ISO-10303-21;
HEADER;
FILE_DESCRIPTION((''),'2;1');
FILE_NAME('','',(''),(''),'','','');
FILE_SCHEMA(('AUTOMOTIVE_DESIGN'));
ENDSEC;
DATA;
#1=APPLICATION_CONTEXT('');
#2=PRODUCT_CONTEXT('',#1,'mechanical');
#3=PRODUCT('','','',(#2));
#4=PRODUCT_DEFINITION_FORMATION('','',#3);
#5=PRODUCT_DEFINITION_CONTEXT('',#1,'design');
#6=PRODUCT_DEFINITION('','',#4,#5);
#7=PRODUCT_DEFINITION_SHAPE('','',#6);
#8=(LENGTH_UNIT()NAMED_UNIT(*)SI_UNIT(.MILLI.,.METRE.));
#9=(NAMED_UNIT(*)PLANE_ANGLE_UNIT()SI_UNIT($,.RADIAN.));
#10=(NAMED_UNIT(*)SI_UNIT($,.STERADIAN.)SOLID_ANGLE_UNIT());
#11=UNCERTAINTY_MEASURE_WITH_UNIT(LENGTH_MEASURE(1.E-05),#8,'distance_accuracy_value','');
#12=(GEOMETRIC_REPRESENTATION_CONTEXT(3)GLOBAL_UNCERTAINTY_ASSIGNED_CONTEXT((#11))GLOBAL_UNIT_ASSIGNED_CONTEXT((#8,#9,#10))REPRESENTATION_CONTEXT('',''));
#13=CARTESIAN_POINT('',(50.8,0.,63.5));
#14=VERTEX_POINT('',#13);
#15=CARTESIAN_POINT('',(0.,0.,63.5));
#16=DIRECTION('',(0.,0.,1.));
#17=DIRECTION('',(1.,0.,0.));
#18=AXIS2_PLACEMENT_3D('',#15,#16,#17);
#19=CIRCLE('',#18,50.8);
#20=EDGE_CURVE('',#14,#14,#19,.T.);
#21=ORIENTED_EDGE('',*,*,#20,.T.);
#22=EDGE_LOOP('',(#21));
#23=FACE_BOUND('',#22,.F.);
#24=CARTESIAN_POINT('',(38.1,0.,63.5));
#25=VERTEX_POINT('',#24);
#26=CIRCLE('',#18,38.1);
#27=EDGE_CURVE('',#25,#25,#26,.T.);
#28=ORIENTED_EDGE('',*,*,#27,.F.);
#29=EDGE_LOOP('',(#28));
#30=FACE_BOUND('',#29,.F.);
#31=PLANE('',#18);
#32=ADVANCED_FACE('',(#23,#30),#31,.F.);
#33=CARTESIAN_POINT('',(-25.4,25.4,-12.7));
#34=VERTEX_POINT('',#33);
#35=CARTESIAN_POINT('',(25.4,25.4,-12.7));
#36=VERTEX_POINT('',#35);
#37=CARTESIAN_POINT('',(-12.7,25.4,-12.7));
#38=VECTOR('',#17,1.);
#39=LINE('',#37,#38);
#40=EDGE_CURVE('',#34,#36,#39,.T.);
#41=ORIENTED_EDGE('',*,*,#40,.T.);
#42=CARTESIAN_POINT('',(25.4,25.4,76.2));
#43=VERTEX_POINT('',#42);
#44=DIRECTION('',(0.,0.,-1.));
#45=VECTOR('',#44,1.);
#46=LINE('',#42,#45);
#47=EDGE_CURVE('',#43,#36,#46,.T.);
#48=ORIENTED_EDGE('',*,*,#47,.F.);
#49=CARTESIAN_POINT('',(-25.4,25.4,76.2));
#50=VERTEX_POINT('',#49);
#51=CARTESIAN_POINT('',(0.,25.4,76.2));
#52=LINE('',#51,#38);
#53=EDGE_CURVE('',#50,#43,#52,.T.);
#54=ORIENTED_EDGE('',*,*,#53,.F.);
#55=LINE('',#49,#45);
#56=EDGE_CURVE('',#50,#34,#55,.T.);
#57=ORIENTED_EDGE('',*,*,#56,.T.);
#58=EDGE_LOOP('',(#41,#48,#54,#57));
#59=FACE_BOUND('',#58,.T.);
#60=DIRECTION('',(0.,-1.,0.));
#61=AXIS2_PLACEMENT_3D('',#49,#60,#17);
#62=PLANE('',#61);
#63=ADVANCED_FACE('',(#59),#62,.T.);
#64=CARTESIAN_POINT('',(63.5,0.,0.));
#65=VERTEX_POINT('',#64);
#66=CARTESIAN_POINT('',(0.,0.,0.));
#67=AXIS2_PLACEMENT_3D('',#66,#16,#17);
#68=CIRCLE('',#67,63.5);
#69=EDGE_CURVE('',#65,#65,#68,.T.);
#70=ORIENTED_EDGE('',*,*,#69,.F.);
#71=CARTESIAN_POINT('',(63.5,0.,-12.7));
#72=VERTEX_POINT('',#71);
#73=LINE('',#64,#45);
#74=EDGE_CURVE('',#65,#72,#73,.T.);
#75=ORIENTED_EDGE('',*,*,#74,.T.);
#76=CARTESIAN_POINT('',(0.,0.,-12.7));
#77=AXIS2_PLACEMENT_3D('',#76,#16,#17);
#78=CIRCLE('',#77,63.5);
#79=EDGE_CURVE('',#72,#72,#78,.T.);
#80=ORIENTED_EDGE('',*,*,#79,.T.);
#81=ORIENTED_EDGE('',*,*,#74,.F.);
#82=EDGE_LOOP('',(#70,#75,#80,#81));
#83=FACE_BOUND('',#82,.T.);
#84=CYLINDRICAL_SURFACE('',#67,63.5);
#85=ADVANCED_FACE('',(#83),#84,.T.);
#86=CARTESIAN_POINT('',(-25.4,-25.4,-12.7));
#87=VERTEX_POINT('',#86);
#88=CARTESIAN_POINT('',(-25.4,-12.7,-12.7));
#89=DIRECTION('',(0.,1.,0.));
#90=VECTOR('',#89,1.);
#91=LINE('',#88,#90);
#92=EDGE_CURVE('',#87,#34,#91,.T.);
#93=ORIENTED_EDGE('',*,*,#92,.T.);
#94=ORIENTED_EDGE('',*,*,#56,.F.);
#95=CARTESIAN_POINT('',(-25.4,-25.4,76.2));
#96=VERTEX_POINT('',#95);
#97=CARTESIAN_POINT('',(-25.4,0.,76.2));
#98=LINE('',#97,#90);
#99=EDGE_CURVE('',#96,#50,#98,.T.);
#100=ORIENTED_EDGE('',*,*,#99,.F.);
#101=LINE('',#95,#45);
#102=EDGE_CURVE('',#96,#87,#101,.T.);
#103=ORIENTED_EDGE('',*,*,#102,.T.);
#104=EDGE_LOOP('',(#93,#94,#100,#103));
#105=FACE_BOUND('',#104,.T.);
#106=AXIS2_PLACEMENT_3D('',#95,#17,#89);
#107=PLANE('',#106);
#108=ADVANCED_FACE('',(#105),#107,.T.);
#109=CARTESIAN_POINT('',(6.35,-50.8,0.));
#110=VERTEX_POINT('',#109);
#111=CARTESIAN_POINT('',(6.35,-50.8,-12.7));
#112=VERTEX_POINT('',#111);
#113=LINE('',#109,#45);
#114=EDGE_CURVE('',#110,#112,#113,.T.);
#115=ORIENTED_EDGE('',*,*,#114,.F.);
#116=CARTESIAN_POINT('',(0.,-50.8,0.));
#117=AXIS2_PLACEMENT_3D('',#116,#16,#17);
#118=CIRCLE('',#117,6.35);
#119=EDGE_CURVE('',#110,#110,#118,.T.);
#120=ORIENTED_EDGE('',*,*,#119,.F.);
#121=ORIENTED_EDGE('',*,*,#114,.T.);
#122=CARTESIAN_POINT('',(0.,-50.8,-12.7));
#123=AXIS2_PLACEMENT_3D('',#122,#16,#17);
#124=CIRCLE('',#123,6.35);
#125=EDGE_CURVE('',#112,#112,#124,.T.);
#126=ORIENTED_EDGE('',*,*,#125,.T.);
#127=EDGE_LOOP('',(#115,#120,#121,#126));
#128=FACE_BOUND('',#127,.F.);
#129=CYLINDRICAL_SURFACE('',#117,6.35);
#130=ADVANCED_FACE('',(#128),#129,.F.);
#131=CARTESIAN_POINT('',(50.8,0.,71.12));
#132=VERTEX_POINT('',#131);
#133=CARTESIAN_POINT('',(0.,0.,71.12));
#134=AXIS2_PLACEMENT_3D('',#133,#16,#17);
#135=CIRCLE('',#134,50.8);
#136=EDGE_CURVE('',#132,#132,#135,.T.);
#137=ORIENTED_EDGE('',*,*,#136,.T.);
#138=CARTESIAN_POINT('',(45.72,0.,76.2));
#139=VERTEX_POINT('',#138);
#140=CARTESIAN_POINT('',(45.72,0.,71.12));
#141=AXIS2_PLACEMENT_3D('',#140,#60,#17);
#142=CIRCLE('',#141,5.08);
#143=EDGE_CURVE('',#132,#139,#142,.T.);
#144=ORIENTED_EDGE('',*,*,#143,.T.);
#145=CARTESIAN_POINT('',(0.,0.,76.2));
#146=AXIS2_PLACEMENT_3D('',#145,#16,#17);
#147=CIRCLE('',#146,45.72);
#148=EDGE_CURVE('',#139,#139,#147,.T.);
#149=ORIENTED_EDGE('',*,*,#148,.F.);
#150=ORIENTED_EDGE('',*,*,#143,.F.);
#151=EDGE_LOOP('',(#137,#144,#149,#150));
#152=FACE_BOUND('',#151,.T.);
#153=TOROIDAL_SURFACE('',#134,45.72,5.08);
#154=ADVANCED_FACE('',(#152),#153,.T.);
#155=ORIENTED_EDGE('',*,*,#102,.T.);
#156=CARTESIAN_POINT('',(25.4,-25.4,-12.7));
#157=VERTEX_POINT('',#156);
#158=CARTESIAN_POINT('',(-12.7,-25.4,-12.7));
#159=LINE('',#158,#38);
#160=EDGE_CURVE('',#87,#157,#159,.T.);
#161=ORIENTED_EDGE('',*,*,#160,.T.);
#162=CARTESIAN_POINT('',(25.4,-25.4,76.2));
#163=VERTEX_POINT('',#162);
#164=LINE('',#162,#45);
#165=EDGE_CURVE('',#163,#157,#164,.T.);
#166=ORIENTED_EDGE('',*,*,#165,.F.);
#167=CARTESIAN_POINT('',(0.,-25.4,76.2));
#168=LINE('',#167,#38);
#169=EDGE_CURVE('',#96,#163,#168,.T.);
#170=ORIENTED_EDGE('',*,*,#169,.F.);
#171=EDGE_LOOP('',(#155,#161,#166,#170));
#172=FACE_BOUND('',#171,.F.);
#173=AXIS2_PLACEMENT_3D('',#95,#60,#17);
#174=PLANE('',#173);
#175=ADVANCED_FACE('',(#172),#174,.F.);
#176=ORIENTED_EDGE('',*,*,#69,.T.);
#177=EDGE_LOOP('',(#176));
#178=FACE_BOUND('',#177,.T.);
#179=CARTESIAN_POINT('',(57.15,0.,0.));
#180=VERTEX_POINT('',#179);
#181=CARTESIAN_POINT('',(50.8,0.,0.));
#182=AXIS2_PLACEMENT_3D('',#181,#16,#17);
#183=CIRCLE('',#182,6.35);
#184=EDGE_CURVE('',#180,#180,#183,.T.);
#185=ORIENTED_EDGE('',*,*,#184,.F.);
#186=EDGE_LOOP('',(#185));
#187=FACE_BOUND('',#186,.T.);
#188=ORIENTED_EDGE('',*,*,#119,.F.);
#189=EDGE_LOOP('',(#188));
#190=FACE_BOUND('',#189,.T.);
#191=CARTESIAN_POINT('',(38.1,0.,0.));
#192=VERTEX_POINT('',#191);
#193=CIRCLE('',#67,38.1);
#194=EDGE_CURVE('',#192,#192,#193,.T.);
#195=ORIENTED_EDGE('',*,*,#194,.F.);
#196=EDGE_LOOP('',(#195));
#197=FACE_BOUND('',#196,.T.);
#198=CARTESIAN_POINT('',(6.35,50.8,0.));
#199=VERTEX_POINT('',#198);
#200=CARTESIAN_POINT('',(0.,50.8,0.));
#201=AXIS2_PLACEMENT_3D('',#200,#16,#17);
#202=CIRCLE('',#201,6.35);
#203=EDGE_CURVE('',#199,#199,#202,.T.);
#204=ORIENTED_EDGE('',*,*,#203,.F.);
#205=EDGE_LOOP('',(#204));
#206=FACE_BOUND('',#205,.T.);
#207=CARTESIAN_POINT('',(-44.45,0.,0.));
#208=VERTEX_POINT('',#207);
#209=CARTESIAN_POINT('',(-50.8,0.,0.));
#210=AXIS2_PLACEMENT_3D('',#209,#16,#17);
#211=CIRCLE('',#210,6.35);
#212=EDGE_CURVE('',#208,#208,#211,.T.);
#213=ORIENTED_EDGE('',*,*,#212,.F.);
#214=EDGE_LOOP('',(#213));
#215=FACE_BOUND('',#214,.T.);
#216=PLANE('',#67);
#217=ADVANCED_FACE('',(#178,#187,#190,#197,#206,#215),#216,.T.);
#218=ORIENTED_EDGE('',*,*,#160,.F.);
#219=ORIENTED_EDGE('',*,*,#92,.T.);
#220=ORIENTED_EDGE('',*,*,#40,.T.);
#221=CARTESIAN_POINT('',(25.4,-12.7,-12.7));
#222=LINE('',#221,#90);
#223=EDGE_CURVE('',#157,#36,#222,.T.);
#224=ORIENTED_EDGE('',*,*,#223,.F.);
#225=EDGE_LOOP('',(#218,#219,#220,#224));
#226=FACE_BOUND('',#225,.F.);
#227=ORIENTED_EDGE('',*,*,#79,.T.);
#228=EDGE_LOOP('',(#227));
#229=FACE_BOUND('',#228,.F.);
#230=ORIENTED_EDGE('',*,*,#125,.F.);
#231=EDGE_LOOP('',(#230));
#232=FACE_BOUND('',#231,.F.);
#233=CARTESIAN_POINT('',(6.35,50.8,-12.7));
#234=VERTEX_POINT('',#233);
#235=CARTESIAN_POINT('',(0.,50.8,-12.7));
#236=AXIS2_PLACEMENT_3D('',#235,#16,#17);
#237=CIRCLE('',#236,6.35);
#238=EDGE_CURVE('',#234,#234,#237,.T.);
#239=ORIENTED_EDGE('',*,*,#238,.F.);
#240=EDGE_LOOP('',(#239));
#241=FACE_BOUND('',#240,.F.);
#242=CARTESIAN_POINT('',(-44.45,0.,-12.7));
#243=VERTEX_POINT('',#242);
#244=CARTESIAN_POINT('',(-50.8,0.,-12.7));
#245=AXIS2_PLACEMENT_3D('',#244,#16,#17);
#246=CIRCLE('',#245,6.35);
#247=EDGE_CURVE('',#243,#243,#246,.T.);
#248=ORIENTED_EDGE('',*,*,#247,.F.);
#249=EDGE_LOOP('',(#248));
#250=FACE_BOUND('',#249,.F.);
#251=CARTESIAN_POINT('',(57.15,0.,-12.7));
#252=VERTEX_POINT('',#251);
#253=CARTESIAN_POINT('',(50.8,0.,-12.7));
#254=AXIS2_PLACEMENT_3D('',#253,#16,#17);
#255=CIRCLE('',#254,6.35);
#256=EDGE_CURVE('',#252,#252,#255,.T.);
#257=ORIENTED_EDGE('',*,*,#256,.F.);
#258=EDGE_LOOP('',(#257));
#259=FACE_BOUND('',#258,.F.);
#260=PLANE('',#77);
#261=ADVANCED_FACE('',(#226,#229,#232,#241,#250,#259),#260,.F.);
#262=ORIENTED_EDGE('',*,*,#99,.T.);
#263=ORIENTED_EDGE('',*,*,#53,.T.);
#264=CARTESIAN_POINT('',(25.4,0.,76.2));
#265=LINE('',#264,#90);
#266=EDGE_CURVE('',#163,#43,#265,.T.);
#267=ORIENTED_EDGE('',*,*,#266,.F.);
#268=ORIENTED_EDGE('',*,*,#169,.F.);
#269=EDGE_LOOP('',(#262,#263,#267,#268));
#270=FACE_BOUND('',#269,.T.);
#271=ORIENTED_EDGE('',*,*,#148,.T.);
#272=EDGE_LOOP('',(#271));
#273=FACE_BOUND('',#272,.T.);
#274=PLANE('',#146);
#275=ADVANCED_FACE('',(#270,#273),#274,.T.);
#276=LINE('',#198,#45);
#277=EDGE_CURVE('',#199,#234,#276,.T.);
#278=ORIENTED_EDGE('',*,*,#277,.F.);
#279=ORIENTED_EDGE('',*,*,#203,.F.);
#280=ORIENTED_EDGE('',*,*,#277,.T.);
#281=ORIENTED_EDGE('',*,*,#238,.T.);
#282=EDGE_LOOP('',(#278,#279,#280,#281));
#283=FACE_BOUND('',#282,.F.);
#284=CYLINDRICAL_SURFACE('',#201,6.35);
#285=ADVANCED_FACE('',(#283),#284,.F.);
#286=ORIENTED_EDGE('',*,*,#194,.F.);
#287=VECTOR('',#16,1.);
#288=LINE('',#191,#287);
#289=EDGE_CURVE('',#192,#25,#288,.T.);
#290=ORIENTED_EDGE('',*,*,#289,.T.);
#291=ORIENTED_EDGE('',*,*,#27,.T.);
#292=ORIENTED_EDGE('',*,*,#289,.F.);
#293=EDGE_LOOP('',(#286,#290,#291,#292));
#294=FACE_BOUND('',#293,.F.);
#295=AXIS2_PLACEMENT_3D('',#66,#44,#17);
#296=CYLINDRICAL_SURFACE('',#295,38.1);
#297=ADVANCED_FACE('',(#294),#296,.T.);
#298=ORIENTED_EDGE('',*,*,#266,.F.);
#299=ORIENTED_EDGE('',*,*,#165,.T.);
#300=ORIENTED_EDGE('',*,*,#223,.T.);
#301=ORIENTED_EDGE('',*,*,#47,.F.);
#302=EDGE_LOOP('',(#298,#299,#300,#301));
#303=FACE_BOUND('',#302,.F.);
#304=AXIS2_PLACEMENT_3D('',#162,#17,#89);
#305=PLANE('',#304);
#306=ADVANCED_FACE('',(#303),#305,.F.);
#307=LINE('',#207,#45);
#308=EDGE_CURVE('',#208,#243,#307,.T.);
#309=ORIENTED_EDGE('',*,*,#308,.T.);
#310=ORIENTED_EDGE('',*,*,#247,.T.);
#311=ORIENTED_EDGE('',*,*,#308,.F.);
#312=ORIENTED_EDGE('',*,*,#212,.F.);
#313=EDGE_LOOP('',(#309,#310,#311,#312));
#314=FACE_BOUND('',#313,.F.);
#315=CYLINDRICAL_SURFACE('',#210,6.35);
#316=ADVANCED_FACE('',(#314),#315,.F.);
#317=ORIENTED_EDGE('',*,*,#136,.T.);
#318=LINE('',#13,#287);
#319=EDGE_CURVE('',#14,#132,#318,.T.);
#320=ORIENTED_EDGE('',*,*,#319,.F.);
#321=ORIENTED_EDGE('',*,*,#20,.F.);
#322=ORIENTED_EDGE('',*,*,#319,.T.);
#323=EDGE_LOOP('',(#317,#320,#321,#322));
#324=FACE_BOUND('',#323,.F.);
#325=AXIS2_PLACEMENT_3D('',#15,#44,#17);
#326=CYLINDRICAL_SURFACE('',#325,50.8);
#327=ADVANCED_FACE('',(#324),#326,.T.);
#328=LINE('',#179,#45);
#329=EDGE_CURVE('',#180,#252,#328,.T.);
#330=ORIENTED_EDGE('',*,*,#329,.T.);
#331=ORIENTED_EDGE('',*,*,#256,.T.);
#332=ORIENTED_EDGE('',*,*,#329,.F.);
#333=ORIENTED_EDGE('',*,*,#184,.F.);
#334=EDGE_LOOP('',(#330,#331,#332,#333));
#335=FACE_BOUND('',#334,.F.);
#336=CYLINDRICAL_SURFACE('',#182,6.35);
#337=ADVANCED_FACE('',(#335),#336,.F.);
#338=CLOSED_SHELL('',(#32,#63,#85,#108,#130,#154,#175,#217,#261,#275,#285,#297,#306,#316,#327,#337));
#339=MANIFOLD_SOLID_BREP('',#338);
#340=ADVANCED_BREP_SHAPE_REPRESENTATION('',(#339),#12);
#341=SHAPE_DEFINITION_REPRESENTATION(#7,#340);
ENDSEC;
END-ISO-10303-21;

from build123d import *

# Parameters (mm, degrees)
F0_R      = 38.1
F1_DEPTH  = 63.5
F2_R      = 63.5
F3_DEPTH  = 12.7
F4_R      = 6.35
F5_DEPTH  = 25.4
F6_R      = 50.8
F7_DEPTH  = 12.7
F8_R      = 5.08
F9_W      = 50.8
F9_H      = 50.8
F10_DEPTH = 132.842


with BuildPart() as f1:
    # F0 (on Top) → F1 (new body)
    with BuildSketch(Plane.XY):
        Circle(F0_R)
    extrude(amount=F1_DEPTH)

    # F2 (on Top) → F3 (join)
    with BuildSketch(Plane.XY):
        Circle(F2_R)
    extrude(amount=-F3_DEPTH)

    # F4 (on face) → F5 (cut)
    with BuildSketch(Plane.XY):
        with Locations((-50.8, 0)):
            Circle(F4_R)
        with Locations((0, 50.8)):
            Circle(F4_R)
        with Locations((50.8, 0)):
            Circle(F4_R)
        with Locations((0, -50.8)):
            Circle(F4_R)
    extrude(amount=-F5_DEPTH, mode=Mode.SUBTRACT)

    # F6 (on face) → F7 (join)
    with BuildSketch(Plane.XY.offset(63.5)):
        Circle(F6_R)
    extrude(amount=F7_DEPTH)

    # F8
    f8_edges = [f1.edges().sort_by_distance(p)[0] for p in [
        (-50.8, 0, 76.2),
    ]]
    fillet(f8_edges, radius=F8_R)

    # F9 (on face) → F10 (cut)
    with BuildSketch(Plane.XY.offset(76.2)):
        Rectangle(F9_W, F9_H)
    extrude(amount=-F10_DEPTH, mode=Mode.SUBTRACT)


solid = f1.part
